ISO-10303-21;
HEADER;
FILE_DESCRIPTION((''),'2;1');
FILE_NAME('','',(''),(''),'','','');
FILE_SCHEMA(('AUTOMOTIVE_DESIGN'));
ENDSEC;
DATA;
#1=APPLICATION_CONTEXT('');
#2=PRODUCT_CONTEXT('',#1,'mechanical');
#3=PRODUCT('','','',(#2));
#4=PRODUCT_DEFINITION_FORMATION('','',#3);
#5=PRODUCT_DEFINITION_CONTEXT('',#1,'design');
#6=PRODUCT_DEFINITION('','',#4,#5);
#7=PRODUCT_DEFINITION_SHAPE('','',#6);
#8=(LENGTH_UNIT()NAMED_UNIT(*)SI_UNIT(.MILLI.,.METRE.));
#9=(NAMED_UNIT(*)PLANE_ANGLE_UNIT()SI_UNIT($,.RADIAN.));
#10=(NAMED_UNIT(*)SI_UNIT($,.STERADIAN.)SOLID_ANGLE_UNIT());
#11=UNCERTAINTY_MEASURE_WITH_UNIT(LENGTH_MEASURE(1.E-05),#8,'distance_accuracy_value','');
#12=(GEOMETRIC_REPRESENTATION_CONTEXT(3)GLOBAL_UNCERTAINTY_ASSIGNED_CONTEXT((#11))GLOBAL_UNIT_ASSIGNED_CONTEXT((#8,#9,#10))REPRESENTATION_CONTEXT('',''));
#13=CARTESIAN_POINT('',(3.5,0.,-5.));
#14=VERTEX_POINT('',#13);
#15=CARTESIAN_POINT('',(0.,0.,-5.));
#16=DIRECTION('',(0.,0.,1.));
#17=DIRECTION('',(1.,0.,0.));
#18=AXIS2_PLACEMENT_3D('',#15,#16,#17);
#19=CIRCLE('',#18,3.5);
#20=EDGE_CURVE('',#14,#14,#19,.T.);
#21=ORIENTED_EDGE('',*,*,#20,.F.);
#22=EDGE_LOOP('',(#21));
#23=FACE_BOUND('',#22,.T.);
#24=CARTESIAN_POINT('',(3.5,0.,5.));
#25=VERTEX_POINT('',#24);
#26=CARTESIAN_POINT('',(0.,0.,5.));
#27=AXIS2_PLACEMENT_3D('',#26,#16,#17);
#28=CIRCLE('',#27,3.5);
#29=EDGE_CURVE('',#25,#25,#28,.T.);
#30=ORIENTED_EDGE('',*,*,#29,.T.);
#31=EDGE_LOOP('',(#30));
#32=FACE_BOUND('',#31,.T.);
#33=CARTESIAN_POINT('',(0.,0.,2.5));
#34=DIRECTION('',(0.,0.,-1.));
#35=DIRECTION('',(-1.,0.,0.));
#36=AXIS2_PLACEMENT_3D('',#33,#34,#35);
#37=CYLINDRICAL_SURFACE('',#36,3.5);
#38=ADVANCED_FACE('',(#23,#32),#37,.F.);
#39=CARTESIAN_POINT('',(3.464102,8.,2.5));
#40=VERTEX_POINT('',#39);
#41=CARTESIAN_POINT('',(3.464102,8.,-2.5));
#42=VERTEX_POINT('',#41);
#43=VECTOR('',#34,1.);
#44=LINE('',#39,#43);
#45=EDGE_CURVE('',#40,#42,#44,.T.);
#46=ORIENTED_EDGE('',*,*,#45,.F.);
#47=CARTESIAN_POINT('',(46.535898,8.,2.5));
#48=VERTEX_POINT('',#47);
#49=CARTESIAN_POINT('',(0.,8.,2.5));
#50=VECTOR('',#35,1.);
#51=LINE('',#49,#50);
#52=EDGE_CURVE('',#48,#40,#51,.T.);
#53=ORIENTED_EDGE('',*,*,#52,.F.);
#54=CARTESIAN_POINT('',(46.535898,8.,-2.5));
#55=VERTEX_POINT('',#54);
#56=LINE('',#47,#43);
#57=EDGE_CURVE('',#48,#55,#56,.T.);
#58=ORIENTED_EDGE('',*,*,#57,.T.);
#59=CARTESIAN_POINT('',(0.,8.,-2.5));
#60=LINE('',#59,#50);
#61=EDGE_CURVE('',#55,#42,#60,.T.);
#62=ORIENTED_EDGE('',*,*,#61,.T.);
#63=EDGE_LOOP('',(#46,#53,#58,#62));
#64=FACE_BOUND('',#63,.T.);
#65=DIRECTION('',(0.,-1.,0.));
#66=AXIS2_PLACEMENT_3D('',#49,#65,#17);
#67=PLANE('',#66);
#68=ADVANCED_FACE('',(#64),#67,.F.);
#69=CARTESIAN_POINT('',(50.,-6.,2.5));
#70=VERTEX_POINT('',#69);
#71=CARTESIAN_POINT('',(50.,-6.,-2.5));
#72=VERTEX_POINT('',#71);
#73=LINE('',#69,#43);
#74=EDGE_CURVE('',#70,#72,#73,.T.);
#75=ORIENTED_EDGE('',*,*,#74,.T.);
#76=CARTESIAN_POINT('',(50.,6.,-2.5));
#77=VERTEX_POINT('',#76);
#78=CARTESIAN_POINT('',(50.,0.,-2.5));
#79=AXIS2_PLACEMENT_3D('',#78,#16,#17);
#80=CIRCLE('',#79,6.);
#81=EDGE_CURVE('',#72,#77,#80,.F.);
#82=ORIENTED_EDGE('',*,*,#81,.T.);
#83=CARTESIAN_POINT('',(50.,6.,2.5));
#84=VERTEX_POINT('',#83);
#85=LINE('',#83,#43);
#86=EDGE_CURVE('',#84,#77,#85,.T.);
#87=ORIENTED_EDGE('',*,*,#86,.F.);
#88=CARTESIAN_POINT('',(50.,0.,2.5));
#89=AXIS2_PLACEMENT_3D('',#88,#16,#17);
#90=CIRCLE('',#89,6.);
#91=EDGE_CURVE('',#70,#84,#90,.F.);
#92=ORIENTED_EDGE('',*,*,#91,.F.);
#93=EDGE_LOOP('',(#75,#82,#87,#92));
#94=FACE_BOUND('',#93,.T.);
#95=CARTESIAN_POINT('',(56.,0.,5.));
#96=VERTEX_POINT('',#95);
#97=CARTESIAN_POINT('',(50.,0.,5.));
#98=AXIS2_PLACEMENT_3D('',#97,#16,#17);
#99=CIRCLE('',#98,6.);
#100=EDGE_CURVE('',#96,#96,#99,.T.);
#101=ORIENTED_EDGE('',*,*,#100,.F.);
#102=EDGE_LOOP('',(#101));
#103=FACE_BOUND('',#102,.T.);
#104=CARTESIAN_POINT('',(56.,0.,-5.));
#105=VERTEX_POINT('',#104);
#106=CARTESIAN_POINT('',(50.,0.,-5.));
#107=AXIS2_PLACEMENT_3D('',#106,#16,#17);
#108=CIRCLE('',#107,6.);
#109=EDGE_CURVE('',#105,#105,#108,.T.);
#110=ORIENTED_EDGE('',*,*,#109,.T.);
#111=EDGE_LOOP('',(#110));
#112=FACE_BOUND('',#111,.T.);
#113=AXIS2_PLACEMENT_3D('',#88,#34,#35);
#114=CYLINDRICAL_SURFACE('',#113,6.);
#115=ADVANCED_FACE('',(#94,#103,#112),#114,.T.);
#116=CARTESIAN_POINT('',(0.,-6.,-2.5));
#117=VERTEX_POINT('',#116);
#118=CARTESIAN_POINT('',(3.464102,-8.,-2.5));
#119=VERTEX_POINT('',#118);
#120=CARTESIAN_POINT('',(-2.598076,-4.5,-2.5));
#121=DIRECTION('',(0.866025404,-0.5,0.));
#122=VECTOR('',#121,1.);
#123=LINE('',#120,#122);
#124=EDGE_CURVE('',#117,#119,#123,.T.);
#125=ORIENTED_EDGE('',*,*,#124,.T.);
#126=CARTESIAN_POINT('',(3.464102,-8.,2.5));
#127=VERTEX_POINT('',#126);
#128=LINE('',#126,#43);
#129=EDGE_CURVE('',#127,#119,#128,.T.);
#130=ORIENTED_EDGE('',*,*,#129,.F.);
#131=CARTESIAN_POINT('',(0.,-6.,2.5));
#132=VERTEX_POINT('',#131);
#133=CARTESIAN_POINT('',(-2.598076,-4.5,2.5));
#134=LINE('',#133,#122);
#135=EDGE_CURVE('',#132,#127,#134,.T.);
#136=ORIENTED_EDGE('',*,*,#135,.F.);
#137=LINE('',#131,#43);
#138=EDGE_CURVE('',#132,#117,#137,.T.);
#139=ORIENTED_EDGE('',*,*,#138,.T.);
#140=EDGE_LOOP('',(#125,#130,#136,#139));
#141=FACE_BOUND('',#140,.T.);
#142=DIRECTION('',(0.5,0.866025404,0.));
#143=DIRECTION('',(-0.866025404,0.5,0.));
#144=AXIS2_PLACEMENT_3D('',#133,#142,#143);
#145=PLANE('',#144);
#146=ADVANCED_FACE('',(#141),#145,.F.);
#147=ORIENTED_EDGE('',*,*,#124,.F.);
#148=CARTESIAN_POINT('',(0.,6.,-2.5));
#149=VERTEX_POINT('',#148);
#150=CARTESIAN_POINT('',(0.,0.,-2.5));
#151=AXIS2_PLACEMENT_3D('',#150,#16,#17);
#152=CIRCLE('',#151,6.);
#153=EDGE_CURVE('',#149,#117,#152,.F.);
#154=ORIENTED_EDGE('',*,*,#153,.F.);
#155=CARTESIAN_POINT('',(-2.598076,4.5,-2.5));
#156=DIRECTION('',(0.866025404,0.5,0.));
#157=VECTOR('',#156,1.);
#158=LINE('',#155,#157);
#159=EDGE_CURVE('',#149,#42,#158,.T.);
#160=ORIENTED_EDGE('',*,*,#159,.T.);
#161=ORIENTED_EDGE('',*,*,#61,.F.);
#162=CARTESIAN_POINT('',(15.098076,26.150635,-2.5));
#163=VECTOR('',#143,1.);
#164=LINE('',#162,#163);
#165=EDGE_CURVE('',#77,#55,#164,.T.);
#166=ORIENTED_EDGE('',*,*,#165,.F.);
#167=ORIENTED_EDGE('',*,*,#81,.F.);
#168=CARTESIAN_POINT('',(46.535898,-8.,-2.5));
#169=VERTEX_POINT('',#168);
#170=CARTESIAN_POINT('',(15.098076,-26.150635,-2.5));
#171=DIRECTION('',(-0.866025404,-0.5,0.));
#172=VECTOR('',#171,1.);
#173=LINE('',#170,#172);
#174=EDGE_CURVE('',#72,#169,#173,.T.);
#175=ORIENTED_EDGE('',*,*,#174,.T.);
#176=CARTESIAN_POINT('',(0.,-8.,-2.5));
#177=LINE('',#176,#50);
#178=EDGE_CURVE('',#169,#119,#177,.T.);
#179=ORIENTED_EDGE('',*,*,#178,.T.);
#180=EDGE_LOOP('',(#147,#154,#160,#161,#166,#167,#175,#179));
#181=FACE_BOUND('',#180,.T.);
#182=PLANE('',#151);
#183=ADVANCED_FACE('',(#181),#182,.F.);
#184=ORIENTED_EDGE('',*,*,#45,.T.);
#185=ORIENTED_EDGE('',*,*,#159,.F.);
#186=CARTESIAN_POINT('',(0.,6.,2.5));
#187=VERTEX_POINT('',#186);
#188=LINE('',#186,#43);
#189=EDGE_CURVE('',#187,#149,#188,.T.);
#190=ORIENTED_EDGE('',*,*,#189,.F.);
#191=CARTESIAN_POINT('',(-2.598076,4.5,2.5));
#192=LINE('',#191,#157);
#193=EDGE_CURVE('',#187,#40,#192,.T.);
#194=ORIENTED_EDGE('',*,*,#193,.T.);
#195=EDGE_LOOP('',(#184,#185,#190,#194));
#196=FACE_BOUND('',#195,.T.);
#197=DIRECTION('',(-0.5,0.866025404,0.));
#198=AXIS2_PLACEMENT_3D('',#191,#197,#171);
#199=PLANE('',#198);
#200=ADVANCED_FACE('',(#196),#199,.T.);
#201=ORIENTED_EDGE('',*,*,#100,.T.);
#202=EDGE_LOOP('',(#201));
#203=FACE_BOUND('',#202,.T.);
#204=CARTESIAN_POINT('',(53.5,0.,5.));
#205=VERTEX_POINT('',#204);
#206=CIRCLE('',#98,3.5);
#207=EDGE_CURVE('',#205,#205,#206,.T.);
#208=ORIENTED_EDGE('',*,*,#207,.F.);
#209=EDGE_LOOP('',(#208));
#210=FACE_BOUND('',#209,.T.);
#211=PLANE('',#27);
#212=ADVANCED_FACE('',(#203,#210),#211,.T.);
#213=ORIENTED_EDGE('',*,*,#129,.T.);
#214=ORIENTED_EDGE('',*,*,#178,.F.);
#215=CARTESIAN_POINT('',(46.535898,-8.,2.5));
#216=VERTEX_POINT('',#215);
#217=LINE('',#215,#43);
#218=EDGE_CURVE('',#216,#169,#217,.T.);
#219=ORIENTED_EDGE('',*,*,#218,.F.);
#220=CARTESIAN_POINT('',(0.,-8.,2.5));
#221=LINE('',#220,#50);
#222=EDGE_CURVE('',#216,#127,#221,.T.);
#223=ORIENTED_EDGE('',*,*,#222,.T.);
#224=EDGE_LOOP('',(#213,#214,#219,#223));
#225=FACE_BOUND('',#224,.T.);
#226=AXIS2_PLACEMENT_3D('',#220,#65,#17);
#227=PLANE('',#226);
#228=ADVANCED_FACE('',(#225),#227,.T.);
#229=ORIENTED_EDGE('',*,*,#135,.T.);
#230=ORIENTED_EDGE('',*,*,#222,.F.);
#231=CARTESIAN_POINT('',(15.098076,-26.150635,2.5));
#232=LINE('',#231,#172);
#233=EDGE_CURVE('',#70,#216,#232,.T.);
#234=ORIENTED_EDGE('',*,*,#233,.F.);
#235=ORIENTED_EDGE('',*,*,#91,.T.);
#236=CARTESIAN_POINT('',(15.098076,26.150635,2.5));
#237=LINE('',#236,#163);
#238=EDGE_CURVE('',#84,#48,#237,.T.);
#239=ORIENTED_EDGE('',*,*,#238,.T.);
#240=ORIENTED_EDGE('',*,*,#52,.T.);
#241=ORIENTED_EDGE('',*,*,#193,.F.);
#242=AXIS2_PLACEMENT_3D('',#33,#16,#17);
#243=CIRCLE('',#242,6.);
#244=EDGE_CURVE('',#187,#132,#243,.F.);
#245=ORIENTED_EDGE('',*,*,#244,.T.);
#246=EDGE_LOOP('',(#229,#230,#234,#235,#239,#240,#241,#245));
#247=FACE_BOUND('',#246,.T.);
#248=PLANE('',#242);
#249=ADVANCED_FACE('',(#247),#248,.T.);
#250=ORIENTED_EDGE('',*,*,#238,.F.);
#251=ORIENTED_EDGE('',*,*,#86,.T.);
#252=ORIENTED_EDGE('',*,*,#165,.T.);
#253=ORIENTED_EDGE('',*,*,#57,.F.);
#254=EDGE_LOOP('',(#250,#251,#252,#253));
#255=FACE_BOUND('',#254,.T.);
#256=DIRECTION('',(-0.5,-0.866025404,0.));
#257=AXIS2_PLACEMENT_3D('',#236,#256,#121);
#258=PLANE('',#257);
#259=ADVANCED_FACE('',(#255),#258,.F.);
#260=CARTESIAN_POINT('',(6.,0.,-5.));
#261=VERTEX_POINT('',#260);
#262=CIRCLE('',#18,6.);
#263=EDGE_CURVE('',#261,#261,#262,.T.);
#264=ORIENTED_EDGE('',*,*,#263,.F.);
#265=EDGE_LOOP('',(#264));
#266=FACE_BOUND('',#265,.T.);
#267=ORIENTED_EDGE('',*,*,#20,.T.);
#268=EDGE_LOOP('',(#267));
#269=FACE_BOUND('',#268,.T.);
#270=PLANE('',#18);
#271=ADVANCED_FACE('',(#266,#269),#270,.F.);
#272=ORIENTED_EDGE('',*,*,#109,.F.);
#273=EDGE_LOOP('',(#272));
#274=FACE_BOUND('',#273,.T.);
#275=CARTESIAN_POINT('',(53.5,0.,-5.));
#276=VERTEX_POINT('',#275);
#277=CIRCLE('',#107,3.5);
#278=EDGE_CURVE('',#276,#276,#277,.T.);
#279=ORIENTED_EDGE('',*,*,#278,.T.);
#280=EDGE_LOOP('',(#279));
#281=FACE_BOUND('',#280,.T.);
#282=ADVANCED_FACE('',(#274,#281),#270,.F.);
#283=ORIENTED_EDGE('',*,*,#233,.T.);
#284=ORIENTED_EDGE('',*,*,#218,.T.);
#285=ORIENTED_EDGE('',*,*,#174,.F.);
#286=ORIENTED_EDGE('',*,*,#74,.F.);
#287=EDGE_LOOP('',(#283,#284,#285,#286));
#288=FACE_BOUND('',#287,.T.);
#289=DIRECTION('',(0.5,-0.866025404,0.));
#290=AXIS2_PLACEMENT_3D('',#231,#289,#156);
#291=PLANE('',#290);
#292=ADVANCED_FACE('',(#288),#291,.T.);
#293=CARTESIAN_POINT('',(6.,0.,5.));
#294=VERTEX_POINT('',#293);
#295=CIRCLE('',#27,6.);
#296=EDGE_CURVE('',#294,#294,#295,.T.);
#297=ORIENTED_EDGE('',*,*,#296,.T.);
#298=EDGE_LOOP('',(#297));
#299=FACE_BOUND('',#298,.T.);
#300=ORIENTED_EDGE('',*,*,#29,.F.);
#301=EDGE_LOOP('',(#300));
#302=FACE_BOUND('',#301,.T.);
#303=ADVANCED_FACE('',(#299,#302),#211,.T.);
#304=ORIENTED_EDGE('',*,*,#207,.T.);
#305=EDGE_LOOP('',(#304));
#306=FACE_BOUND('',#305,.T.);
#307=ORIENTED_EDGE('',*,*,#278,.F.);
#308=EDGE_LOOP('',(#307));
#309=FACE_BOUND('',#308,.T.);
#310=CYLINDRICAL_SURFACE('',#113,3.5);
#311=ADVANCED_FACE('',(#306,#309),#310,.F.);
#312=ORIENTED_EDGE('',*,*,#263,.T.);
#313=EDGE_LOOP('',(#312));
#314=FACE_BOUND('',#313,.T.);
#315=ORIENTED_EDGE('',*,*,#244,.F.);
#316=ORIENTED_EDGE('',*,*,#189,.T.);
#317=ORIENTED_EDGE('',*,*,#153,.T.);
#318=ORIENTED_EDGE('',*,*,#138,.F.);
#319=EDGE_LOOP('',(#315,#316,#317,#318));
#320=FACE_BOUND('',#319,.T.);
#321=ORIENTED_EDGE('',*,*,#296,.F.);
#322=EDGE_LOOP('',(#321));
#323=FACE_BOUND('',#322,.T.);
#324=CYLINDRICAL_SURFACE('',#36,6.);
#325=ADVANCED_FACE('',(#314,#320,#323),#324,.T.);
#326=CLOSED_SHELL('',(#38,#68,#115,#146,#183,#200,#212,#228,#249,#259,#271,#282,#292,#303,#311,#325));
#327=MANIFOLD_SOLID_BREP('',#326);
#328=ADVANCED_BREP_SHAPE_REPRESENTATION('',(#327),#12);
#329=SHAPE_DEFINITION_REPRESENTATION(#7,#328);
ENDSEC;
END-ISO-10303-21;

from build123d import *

# Parameters (mm, degrees)
SKETCH1_R           = 6
SKETCH1_R_2         = 3.5
BOSS_EXTRUDE1_DEPTH = 2.5
SKETCH4_R           = 6
SKETCH4_R_2         = 3.5
BOSS_EXTRUDE2_DEPTH = 5


with BuildPart() as part:
    # Sketch1 → Boss-Extrude1 (new, symmetric)
    # profile 1 of 3: a face of its own
    with BuildSketch(Plane.XY):
        with BuildLine():
            Line((3.464101615, 8), (0, 6))
            ThreePointArc((0, 6), (4.242640687, 4.242640687), (6, 0))
            ThreePointArc((6, 0), (4.242640687, -4.242640687), (0, -6))
            Line((0, -6), (3.464101615, -8))
            Line((3.464101615, -8), (46.535898385, -8))
            Line((46.535898385, -8), (50, -6))
            ThreePointArc((50, -6), (44, 0), (50, 6))
            Line((50, 6), (46.535898385, 8))
            Line((46.535898385, 8), (3.464101615, 8))
        make_face()
    # profile 2 of 3: a face of its own
    with BuildSketch(Plane.XY):
        Circle(SKETCH1_R)
        Circle(SKETCH1_R_2, mode=Mode.SUBTRACT)
    # profile 3 of 3: a face of its own
    with BuildSketch(Plane.XY):
        with Locations((50, 0)):
            Circle(SKETCH1_R)
        with Locations((50, 0)):
            Circle(SKETCH1_R_2, mode=Mode.SUBTRACT)
    extrude(amount=BOSS_EXTRUDE1_DEPTH, both=True)

    # Sketch4 → Boss-Extrude2 (add, symmetric)
    # profile 1 of 2: a face of its own
    with BuildSketch(Plane.XY):
        Circle(SKETCH4_R)
        Circle(SKETCH4_R_2, mode=Mode.SUBTRACT)
    # profile 2 of 2: a face of its own
    with BuildSketch(Plane.XY):
        with Locations((50, 0)):
            Circle(SKETCH4_R)
        with Locations((50, 0)):
            Circle(SKETCH4_R_2, mode=Mode.SUBTRACT)
    extrude(amount=BOSS_EXTRUDE2_DEPTH, both=True)


solid = part.part
